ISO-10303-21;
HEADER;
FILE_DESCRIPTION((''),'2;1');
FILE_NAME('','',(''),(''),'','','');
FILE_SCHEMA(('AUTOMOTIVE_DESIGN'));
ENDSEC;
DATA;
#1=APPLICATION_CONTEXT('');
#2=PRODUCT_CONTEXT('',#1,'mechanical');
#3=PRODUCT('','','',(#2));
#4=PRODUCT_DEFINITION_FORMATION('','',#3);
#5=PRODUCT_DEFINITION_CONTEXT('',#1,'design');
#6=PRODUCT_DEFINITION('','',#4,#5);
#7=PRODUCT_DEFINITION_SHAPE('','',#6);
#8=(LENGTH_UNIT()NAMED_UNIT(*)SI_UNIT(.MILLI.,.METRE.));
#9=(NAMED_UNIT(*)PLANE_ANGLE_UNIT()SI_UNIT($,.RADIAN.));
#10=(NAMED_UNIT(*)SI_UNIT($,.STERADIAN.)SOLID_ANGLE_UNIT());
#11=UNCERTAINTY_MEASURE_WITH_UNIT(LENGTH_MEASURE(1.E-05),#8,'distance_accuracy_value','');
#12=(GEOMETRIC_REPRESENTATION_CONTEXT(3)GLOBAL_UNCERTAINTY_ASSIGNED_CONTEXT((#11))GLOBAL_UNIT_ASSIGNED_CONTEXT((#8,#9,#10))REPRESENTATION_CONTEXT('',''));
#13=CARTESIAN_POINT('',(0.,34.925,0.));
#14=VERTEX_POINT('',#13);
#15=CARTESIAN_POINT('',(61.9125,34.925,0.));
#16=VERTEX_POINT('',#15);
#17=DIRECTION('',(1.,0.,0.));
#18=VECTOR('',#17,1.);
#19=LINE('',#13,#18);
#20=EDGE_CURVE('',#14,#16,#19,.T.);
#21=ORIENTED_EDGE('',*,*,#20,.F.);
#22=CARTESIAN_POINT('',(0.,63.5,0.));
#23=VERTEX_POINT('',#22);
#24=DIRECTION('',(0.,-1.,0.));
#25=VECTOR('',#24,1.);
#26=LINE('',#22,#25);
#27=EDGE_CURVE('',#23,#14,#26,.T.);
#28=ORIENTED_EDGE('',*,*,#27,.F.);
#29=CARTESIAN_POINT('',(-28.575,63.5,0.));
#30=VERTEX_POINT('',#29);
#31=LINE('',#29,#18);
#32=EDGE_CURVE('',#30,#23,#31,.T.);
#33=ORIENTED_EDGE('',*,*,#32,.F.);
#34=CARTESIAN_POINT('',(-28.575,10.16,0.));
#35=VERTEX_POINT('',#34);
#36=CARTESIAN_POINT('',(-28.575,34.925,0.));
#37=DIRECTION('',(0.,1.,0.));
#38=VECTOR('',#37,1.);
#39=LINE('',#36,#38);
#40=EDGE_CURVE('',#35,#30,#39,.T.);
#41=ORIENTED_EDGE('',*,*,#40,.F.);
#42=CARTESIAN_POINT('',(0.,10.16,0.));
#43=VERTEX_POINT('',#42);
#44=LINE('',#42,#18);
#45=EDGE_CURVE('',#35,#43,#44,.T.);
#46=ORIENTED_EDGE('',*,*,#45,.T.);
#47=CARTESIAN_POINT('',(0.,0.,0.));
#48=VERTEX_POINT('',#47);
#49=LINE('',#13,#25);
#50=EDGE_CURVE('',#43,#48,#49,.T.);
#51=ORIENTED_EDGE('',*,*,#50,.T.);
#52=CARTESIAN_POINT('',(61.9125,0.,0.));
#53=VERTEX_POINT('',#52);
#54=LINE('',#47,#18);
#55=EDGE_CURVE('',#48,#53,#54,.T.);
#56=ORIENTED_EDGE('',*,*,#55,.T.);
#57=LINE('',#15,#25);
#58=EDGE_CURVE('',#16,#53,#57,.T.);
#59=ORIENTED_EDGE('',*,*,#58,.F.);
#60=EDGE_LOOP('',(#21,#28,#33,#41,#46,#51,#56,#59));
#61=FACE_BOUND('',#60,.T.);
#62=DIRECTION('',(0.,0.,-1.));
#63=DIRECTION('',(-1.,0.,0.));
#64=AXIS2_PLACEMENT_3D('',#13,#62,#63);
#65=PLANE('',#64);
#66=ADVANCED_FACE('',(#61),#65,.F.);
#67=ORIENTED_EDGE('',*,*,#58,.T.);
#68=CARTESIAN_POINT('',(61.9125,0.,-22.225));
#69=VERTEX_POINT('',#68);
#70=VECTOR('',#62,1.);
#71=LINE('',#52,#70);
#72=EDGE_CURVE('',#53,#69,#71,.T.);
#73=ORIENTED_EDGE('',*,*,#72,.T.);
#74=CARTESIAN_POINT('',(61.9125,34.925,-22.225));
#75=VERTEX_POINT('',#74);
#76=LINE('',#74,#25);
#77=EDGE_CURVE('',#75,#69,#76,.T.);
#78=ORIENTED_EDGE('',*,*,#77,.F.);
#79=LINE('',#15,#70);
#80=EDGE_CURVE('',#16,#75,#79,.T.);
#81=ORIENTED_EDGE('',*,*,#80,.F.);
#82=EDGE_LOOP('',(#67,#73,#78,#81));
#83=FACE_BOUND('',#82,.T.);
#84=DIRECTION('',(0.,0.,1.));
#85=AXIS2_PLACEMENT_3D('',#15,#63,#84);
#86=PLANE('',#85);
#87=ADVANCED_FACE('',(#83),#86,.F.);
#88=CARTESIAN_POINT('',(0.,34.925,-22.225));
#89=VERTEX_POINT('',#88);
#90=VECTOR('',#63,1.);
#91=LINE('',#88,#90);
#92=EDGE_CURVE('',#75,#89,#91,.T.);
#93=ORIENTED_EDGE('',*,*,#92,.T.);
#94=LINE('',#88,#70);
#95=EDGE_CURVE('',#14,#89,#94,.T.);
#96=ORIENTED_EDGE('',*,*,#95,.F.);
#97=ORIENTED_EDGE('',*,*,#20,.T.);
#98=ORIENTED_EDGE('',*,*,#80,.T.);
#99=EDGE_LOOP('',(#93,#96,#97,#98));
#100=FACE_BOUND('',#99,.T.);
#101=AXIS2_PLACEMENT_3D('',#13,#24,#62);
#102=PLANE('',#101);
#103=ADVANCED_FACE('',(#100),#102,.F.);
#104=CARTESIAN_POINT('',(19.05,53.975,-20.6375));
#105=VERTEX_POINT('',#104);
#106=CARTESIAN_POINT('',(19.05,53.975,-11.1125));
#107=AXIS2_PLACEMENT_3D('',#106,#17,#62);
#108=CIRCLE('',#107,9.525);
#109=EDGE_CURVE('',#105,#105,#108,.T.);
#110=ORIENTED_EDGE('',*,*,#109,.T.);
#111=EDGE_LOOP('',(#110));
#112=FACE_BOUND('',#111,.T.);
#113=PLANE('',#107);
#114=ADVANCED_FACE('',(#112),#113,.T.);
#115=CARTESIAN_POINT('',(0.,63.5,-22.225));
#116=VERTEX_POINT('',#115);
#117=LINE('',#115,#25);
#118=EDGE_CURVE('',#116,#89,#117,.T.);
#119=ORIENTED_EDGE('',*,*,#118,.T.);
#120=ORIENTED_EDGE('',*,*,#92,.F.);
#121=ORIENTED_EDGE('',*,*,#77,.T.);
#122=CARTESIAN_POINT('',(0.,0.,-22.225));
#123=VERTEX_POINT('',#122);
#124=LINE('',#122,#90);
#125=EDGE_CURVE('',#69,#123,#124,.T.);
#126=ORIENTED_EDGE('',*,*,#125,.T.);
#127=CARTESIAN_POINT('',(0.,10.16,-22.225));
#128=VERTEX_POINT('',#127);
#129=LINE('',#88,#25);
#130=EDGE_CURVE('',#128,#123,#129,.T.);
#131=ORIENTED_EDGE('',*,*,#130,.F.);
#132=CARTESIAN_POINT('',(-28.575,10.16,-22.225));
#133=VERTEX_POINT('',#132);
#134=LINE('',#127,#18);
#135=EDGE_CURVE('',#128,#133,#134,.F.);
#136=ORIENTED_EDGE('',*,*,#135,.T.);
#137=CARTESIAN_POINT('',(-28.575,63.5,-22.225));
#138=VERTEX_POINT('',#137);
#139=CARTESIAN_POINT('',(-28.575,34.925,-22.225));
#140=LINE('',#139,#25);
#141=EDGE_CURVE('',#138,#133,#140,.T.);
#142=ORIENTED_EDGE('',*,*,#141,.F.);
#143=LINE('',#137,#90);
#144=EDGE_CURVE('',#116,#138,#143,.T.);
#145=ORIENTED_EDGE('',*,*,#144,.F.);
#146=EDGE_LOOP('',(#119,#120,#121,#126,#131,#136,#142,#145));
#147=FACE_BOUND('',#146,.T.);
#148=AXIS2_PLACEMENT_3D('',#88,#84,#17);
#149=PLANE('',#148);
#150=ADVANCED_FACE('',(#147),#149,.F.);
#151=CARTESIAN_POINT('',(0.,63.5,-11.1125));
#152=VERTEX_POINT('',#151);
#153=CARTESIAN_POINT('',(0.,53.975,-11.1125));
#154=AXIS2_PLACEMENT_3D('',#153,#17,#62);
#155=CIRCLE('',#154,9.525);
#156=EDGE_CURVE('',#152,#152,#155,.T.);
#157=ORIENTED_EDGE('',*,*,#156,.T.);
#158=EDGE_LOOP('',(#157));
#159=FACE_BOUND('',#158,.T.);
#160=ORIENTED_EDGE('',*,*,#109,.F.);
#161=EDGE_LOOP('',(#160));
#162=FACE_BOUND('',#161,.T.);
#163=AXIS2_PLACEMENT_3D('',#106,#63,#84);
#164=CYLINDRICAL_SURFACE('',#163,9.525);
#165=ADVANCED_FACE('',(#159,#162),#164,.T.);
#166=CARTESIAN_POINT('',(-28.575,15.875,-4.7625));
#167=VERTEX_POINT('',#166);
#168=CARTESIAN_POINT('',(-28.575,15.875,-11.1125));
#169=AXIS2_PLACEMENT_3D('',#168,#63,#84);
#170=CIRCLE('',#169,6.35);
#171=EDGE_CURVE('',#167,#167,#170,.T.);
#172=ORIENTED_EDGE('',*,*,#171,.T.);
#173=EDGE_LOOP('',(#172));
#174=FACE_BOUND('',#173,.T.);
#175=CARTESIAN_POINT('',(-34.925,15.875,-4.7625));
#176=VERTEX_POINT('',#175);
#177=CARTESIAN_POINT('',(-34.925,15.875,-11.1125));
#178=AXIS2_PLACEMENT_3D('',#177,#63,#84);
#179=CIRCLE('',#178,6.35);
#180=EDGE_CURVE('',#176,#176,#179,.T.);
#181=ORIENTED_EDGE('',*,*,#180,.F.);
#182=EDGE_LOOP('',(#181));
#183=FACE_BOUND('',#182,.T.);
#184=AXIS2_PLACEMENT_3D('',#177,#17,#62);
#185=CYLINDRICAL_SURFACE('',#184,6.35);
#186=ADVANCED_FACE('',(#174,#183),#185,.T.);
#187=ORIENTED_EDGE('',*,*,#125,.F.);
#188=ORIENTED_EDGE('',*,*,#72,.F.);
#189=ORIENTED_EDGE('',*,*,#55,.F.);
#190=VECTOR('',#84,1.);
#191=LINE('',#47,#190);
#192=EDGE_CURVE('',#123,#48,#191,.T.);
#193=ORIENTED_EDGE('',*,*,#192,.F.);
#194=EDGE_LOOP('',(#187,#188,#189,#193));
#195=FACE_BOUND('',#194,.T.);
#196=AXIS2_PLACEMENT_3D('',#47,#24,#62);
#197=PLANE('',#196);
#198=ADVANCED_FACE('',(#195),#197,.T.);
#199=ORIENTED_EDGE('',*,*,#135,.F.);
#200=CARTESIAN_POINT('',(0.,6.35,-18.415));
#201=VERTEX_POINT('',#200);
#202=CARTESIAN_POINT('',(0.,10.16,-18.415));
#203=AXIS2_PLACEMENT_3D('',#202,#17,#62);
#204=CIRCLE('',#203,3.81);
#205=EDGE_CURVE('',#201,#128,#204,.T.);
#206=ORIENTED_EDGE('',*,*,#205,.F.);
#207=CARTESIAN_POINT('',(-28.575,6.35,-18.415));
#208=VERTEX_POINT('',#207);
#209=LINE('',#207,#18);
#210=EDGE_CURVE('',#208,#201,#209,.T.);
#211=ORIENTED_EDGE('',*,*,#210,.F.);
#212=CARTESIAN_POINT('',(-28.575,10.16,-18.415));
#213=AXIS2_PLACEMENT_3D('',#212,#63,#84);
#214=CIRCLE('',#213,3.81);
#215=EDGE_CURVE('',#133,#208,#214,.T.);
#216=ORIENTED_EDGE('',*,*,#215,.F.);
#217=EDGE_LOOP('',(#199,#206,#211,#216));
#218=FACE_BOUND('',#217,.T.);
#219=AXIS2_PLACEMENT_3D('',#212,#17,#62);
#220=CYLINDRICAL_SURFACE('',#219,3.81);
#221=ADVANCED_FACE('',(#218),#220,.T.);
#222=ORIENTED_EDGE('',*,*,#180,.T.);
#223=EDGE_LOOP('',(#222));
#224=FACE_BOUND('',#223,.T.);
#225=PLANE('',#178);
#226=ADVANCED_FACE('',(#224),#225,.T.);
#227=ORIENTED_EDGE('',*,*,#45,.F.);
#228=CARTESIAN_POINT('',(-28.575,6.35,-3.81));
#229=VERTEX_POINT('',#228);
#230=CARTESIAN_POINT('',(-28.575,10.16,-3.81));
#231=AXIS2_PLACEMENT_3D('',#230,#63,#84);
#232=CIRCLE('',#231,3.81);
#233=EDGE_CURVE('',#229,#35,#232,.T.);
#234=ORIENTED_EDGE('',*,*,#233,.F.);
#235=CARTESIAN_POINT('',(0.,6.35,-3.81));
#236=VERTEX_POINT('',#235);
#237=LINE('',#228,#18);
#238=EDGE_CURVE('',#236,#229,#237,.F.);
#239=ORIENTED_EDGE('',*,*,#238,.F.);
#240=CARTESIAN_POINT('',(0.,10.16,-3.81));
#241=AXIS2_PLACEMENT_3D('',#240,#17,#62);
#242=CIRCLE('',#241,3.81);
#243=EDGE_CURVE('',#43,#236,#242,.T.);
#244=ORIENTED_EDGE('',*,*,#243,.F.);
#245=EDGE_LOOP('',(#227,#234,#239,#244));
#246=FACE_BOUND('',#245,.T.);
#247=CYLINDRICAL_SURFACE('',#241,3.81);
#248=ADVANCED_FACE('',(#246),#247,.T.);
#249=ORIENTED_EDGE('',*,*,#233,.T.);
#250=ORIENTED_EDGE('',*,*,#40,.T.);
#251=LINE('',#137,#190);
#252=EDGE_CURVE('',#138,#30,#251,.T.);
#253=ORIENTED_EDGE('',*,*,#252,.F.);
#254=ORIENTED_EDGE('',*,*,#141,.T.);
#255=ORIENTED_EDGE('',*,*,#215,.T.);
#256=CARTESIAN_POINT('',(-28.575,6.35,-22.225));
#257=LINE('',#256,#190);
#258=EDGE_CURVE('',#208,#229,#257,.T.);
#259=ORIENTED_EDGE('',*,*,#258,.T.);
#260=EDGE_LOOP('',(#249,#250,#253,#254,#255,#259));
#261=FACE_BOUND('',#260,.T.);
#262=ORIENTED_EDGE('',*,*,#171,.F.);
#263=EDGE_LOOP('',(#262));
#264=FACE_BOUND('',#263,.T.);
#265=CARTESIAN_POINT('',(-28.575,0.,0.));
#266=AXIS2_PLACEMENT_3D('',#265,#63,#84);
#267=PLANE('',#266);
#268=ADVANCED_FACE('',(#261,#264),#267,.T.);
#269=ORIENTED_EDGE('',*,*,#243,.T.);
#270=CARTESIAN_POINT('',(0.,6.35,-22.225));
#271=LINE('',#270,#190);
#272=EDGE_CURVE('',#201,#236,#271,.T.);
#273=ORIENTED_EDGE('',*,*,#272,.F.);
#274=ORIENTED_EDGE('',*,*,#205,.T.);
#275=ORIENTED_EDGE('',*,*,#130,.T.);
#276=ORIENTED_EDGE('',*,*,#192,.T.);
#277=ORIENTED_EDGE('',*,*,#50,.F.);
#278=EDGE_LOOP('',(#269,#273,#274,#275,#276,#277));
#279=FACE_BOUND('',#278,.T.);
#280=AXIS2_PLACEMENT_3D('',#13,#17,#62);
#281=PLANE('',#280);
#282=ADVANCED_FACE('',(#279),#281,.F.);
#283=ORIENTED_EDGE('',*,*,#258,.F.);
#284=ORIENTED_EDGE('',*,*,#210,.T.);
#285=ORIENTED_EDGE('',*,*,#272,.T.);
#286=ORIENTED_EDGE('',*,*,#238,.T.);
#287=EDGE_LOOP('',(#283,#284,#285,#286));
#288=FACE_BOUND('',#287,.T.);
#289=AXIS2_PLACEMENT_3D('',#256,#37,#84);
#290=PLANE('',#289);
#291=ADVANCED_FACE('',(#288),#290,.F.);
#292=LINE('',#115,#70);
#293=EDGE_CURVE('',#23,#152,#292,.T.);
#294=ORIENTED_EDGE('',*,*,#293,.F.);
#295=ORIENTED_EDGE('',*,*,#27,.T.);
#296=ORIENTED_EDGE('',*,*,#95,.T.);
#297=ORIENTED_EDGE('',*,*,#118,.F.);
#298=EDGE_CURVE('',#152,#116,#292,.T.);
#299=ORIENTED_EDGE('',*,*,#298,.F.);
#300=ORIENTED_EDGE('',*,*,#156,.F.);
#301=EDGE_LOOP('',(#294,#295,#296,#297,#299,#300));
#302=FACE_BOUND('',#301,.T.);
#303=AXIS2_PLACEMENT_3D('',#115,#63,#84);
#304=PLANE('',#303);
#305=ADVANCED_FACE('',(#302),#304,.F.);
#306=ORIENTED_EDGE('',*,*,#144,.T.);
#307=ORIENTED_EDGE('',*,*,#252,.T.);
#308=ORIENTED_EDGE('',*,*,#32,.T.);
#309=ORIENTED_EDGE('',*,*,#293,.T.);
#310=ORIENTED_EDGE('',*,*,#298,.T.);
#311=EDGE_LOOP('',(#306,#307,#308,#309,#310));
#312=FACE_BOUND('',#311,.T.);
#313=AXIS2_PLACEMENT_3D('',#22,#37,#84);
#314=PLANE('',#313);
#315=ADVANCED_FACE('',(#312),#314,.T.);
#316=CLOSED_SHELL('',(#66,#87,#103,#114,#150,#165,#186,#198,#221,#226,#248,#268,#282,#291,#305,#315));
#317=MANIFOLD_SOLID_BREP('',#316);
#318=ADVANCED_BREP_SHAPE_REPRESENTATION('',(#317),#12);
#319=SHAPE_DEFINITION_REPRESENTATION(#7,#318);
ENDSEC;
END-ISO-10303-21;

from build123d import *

# Parameters (mm, degrees)
SKETCH1_W           = 61.9125
SKETCH1_H           = 22.225
BOSS_EXTRUDE1_DEPTH = 34.925
SKETCH2_W           = 22.225
SKETCH2_H           = 28.575
BOSS_EXTRUDE2_DEPTH = 28.575
SKETCH3_W           = 28.575
SKETCH3_H           = 22.225
BOSS_EXTRUDE3_DEPTH = 28.575
SKETCH4_R           = 9.525
BOSS_EXTRUDE4_DEPTH = 19.05
SKETCH5_R           = 6.35
BOSS_EXTRUDE5_DEPTH = 6.35
FILLET1_R           = 3.81


with BuildPart() as part:
    # Sketch1 → Boss-Extrude1 (new body)
    with BuildSketch(Plane(origin=(0, 0, 0), x_dir=(1, 0, 0), z_dir=(0, 1, 0))):
        with Locations((30.95625, 11.1125)):
            Rectangle(SKETCH1_W, SKETCH1_H)
    extrude(amount=BOSS_EXTRUDE1_DEPTH)

    # Sketch2 → Boss-Extrude2 (add)
    with BuildSketch(Plane.ZY):
        with Locations((-11.1125, 20.6375)):
            Rectangle(SKETCH2_W, SKETCH2_H)
    extrude(amount=BOSS_EXTRUDE2_DEPTH)

    # Sketch3 → Boss-Extrude3 (add)
    with BuildSketch(Plane(origin=(0, 34.925, 0), x_dir=(1, 0, 0), z_dir=(0, 1, 0))):
        with Locations((-14.2875, 11.1125)):
            Rectangle(SKETCH3_W, SKETCH3_H)
    extrude(amount=BOSS_EXTRUDE3_DEPTH)

    # Sketch4 → Boss-Extrude4 (add)
    with BuildSketch(Plane(origin=(0, 0, 0), x_dir=(0, 0, -1), z_dir=(1, 0, 0))):
        with Locations(Location((11.1125, 53.975, 0), (0, 0, 90))):
            Circle(SKETCH4_R)
    extrude(amount=BOSS_EXTRUDE4_DEPTH)

    # Sketch5 → Boss-Extrude5 (add)
    with BuildSketch(Plane.ZY.offset(28.575)):
        with Locations((-11.1125, 15.875)):
            Circle(SKETCH5_R)
    extrude(amount=BOSS_EXTRUDE5_DEPTH)

    # Fillet1
    fillet1_edges = [part.edges().sort_by_distance(p)[0] for p in [
        (-14.2875, 6.35, -22.225),
        (-14.2875, 6.35, 0),
    ]]
    fillet(fillet1_edges, radius=FILLET1_R)


solid = part.part
